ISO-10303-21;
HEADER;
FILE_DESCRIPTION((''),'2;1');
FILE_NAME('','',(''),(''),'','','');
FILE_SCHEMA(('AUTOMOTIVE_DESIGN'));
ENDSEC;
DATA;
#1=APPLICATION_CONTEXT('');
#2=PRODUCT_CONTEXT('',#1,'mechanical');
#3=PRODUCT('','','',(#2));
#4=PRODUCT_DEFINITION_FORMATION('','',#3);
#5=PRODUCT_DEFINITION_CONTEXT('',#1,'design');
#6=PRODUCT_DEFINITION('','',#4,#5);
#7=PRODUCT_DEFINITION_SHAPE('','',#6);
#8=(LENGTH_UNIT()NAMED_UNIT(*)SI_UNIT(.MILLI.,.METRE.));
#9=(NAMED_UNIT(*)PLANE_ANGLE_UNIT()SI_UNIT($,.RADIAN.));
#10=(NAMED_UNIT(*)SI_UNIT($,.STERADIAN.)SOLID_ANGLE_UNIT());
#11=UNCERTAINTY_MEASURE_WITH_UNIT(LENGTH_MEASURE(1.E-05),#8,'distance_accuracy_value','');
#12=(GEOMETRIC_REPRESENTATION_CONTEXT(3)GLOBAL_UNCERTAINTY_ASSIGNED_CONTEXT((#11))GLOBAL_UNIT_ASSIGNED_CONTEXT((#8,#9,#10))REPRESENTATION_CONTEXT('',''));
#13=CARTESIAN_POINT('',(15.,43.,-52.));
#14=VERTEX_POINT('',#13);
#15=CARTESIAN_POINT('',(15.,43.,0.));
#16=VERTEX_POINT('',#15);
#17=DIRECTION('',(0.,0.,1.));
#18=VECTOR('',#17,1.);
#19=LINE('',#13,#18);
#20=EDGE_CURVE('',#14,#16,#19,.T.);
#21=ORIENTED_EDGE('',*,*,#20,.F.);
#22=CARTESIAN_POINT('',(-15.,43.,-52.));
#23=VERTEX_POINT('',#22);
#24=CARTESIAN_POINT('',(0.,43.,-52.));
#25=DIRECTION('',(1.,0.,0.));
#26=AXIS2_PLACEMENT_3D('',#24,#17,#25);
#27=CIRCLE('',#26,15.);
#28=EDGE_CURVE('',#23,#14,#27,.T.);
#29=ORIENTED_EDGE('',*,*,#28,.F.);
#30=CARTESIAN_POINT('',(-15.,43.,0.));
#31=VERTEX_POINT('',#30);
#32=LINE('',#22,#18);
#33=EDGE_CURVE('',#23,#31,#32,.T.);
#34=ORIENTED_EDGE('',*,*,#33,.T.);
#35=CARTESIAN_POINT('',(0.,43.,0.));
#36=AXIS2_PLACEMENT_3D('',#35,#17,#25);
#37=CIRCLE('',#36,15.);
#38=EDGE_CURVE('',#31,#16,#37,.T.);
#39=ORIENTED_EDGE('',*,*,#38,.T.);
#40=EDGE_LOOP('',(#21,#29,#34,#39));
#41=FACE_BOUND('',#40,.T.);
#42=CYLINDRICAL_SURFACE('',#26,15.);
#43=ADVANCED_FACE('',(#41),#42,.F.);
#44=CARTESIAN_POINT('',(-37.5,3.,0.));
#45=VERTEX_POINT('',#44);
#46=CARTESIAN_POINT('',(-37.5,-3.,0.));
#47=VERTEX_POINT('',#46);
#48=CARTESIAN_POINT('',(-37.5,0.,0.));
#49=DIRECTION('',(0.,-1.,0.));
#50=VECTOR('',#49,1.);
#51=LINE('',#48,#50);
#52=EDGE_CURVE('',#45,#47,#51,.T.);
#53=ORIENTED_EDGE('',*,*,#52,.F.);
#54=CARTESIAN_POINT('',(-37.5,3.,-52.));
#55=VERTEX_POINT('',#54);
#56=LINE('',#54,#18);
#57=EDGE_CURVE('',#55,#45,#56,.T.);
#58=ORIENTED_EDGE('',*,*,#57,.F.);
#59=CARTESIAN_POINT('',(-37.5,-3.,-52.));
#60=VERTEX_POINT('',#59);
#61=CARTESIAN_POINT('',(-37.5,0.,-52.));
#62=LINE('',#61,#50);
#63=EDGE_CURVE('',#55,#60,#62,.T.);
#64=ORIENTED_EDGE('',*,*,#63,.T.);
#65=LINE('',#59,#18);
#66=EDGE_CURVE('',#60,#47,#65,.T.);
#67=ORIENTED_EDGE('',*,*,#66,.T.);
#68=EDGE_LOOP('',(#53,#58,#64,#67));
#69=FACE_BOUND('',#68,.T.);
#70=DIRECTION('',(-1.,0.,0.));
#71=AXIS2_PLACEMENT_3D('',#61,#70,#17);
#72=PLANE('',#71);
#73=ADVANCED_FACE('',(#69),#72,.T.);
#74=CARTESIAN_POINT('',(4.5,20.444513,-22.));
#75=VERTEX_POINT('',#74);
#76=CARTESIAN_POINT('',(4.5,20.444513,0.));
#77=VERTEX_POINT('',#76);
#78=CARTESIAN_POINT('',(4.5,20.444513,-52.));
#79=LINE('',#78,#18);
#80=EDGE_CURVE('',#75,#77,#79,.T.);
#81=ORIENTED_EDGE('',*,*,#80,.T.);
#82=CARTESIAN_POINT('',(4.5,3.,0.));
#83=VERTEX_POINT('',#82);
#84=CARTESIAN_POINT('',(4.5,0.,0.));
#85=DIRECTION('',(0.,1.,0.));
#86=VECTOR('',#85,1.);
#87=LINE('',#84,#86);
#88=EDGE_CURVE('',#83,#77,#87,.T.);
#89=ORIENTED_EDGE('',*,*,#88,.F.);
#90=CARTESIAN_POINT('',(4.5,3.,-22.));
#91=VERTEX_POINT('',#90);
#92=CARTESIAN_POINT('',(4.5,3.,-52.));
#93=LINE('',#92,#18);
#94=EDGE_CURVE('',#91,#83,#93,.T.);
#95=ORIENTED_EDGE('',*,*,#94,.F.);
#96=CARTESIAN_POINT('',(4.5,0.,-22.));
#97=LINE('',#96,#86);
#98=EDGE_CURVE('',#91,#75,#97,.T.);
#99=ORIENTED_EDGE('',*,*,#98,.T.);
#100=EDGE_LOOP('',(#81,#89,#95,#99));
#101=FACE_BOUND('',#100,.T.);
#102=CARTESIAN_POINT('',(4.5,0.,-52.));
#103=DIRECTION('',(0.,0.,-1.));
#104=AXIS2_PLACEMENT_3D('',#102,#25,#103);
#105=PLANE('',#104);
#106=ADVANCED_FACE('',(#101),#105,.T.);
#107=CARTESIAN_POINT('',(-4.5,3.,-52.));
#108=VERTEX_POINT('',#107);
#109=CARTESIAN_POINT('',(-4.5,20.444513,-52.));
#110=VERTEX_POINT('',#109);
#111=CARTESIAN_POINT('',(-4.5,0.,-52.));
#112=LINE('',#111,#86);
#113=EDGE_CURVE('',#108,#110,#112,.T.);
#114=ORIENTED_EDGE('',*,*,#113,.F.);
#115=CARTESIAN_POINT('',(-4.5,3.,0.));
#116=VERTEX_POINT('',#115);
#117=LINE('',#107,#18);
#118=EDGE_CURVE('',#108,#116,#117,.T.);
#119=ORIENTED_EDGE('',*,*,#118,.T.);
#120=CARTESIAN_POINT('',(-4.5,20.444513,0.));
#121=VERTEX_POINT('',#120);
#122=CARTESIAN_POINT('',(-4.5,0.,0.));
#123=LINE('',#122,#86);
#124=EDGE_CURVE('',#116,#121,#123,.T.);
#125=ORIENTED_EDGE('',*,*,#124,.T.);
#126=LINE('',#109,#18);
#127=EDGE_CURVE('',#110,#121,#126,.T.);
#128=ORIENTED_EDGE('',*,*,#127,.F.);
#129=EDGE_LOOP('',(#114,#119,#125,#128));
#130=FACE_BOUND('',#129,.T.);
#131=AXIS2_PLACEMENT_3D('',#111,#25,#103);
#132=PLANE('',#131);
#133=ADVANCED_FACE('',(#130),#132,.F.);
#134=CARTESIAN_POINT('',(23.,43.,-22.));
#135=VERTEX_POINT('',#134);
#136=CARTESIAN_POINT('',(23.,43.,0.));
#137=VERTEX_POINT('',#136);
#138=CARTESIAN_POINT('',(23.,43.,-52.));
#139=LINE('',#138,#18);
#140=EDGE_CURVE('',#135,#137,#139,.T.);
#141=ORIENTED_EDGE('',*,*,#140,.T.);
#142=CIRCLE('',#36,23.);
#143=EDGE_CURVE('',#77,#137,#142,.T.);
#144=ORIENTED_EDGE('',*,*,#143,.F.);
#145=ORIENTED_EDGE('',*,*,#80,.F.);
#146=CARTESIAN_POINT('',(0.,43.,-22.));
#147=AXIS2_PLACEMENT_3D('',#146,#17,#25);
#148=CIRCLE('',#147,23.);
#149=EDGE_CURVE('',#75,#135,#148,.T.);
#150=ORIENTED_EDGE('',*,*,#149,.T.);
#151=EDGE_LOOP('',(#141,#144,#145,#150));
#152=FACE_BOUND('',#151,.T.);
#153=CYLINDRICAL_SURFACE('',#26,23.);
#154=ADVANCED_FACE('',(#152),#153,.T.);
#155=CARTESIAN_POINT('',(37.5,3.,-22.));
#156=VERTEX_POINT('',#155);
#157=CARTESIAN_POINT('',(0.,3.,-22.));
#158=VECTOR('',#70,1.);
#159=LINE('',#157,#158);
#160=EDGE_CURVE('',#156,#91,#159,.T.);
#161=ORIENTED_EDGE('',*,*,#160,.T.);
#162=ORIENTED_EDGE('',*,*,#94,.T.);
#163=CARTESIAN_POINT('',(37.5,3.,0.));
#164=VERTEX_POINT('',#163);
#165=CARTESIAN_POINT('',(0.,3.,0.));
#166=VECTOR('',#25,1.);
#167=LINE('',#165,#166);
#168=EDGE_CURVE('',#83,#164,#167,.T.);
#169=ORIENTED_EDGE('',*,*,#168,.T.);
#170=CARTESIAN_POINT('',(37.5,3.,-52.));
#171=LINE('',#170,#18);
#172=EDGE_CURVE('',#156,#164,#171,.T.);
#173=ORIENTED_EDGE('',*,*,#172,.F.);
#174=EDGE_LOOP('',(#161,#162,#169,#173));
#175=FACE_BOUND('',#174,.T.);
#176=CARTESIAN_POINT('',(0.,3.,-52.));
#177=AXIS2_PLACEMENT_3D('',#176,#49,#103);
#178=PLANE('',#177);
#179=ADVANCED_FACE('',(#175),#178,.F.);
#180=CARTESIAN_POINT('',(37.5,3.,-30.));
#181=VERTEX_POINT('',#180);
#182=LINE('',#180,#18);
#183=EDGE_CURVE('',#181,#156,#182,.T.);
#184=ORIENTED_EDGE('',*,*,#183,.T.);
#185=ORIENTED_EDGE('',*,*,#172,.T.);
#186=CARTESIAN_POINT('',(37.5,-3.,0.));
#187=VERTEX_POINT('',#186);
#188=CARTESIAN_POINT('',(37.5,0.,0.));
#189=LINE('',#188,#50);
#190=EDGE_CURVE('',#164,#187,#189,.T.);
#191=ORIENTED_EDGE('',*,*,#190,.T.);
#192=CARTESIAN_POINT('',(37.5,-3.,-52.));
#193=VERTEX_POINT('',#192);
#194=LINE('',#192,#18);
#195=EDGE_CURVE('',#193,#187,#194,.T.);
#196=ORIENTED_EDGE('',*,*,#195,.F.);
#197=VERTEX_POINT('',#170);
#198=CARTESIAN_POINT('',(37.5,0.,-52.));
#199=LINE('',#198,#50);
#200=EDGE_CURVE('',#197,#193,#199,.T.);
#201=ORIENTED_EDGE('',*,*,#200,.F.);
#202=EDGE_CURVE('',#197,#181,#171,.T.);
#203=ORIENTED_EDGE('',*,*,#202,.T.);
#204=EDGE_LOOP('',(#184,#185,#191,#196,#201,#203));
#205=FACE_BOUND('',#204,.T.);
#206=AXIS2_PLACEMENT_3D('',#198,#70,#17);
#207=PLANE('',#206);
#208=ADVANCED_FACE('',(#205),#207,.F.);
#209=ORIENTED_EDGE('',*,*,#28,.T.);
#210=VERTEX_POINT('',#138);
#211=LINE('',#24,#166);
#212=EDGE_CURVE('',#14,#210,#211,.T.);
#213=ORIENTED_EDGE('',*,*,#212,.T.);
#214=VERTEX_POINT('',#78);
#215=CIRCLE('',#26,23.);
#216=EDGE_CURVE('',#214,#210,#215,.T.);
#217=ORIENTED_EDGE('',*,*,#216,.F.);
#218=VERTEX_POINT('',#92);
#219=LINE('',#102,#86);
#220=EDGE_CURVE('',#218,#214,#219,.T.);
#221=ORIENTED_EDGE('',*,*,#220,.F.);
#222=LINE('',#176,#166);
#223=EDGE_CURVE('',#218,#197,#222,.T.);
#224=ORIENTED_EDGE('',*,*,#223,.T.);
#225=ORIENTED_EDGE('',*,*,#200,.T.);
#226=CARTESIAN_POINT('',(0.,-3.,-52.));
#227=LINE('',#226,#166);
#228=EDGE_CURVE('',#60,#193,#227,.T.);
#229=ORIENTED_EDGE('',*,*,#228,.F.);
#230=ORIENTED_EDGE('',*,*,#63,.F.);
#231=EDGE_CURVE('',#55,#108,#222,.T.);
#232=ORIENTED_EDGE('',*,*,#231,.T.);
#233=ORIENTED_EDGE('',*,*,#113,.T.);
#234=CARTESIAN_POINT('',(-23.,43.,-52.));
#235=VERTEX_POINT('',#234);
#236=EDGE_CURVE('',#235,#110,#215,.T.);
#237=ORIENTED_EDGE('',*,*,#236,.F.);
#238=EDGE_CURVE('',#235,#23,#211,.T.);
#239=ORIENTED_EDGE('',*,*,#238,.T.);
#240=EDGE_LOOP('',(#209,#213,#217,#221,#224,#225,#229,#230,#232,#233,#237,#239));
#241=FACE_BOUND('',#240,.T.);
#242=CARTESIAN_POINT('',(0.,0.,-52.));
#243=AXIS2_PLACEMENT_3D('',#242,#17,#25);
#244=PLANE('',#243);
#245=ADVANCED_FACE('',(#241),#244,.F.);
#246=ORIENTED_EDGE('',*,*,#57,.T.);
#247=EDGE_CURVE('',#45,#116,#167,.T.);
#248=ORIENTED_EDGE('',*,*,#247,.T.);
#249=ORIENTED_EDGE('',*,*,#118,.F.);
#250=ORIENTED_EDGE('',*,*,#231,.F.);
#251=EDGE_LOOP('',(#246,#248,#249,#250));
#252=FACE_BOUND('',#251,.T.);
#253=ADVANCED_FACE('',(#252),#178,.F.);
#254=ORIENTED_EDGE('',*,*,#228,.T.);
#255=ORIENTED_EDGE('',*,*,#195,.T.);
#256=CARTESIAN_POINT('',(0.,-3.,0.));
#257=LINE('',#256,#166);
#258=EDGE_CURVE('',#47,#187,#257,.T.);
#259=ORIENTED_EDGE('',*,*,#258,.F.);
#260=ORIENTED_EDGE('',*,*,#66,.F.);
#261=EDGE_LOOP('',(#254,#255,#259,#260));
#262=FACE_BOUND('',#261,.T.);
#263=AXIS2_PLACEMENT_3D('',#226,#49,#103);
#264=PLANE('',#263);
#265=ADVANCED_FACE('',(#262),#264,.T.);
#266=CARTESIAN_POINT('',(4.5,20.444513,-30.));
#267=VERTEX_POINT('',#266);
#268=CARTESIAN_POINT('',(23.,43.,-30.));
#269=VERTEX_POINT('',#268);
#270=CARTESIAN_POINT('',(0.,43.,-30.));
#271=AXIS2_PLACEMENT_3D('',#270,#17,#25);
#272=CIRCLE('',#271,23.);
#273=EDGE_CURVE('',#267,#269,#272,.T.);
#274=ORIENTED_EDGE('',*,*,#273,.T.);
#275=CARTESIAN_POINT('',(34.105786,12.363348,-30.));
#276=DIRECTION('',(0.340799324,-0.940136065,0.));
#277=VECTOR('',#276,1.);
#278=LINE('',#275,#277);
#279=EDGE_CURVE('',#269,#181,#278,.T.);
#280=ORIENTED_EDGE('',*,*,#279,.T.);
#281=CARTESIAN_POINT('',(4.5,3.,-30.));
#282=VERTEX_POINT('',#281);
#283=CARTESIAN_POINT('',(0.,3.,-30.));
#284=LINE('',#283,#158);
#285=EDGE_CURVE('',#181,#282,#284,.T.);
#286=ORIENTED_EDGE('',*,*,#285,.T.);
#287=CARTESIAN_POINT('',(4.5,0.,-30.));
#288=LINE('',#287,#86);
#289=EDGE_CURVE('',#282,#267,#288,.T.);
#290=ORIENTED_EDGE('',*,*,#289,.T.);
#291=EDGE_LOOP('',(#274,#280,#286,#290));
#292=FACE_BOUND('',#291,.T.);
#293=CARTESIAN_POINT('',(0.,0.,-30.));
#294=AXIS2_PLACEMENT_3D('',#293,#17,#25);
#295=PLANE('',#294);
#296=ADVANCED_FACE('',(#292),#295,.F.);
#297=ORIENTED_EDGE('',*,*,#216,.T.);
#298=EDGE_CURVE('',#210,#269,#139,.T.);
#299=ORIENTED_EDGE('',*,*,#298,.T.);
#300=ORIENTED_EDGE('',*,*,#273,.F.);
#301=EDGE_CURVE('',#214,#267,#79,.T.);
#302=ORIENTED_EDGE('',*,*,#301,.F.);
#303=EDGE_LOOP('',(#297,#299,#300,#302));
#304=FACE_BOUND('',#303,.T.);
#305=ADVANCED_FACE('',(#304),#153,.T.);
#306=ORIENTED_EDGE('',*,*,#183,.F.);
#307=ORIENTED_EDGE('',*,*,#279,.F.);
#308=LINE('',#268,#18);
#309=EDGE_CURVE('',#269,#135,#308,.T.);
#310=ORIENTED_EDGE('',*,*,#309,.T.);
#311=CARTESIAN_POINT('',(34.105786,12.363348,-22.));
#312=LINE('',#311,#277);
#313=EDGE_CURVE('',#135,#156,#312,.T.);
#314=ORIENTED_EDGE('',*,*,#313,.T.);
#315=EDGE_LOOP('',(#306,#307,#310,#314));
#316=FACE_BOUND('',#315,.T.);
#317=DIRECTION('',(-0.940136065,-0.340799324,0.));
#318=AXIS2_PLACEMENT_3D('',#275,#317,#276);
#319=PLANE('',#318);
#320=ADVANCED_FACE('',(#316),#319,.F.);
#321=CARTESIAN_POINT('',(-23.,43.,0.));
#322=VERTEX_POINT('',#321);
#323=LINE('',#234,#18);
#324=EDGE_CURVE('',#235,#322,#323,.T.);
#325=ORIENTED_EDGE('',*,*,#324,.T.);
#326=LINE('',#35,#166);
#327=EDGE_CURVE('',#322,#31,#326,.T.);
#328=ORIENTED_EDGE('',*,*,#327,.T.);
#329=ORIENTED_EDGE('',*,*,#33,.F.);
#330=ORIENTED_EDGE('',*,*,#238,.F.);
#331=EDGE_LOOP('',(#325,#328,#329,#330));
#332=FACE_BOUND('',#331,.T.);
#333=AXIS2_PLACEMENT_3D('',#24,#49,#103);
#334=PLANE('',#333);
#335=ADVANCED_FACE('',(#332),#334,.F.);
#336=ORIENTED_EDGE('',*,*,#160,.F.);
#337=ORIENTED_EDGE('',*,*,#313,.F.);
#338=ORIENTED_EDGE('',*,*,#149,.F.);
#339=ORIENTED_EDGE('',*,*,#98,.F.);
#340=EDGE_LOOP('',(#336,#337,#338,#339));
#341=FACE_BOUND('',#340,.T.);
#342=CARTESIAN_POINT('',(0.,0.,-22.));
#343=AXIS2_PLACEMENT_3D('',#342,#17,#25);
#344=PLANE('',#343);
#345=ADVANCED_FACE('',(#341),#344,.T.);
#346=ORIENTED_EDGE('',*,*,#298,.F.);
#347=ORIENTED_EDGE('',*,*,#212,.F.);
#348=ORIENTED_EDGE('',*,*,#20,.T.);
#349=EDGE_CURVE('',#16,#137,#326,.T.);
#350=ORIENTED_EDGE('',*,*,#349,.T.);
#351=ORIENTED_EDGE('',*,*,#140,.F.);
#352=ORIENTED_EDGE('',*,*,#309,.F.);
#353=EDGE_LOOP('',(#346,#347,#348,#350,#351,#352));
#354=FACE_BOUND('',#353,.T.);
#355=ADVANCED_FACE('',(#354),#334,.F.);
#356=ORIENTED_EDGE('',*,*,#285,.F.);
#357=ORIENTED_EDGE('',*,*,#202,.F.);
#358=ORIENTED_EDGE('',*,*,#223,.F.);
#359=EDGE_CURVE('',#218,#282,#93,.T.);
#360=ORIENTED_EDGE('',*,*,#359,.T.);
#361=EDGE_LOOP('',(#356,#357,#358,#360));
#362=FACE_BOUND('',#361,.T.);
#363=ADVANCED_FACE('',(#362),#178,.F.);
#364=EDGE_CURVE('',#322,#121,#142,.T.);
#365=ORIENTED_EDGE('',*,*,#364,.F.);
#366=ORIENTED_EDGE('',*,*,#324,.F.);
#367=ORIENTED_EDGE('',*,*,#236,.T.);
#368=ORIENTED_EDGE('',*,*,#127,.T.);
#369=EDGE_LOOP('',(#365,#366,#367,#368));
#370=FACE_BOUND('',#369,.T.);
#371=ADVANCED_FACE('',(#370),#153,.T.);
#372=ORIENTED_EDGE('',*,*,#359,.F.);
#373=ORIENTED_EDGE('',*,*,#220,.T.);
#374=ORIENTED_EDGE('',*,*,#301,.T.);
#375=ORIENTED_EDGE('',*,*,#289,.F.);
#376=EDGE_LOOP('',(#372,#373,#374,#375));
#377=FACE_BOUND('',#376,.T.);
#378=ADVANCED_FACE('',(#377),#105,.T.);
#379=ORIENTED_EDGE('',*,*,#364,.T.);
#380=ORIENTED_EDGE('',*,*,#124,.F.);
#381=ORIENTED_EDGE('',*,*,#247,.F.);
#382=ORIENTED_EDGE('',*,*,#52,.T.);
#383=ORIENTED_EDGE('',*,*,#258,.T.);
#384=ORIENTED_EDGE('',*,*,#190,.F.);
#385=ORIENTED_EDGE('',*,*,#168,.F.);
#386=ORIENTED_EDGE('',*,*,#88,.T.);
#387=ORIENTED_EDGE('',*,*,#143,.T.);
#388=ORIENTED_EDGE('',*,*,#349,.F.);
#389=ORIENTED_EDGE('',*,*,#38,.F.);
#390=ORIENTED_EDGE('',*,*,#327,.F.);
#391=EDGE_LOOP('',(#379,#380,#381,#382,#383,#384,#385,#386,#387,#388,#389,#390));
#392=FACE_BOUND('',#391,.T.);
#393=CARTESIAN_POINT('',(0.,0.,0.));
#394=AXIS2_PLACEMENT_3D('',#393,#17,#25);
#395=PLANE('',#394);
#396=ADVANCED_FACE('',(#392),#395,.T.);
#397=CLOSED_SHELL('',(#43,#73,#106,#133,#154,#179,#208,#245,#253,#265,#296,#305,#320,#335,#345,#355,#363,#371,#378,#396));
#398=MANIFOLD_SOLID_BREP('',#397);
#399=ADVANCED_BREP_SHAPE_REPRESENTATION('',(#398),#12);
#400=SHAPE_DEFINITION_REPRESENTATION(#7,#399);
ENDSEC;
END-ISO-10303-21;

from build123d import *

# Parameters (mm, degrees)
BOSS_EXTRUDE1_DEPTH = 52
BOSS_EXTRUDE2_START = -22
BOSS_EXTRUDE2_DEPTH = 8


with BuildPart() as part:
    # Sketch1 → Boss-Extrude1 (new body)
    with BuildSketch(Plane.XY):
        with BuildLine():
            Line((-4.5, 20.444512863), (-4.5, 3))
            Line((-4.5, 3), (0, 3))
            Line((0, 3), (4.5, 3))
            Line((4.5, 3), (4.5, 20.444512863))
            ThreePointArc((4.5, 20.444512863), (17.783419244, 28.414047854), (23, 43))
            Line((23, 43), (15, 43))
            ThreePointArc((15, 43), (0, 28), (-15, 43))
            Line((-15, 43), (-23, 43))
            ThreePointArc((-23, 43), (-17.783419244, 28.414047854), (-4.5, 20.444512863))
        make_face()
        Polygon((-4.5, 3), (-37.5, 3), (-37.5, -3), (37.5, -3), (37.5, 3), (4.5, 3), (0, 3), align=None)
    extrude(amount=-BOSS_EXTRUDE1_DEPTH)

    # Sketch7 → Boss-Extrude2 (add)
    with BuildSketch(Plane.XY.offset(BOSS_EXTRUDE2_START)):
        with BuildLine():
            Line((23, 43), (37.5, 3))
            Line((37.5, 3), (4.5, 3))
            Line((4.5, 3), (4.5, 20.444512863))
            ThreePointArc((4.5, 20.444512863), (17.783419244, 28.414047854), (23, 43))
        make_face()
    extrude(amount=-BOSS_EXTRUDE2_DEPTH)


solid = part.part
